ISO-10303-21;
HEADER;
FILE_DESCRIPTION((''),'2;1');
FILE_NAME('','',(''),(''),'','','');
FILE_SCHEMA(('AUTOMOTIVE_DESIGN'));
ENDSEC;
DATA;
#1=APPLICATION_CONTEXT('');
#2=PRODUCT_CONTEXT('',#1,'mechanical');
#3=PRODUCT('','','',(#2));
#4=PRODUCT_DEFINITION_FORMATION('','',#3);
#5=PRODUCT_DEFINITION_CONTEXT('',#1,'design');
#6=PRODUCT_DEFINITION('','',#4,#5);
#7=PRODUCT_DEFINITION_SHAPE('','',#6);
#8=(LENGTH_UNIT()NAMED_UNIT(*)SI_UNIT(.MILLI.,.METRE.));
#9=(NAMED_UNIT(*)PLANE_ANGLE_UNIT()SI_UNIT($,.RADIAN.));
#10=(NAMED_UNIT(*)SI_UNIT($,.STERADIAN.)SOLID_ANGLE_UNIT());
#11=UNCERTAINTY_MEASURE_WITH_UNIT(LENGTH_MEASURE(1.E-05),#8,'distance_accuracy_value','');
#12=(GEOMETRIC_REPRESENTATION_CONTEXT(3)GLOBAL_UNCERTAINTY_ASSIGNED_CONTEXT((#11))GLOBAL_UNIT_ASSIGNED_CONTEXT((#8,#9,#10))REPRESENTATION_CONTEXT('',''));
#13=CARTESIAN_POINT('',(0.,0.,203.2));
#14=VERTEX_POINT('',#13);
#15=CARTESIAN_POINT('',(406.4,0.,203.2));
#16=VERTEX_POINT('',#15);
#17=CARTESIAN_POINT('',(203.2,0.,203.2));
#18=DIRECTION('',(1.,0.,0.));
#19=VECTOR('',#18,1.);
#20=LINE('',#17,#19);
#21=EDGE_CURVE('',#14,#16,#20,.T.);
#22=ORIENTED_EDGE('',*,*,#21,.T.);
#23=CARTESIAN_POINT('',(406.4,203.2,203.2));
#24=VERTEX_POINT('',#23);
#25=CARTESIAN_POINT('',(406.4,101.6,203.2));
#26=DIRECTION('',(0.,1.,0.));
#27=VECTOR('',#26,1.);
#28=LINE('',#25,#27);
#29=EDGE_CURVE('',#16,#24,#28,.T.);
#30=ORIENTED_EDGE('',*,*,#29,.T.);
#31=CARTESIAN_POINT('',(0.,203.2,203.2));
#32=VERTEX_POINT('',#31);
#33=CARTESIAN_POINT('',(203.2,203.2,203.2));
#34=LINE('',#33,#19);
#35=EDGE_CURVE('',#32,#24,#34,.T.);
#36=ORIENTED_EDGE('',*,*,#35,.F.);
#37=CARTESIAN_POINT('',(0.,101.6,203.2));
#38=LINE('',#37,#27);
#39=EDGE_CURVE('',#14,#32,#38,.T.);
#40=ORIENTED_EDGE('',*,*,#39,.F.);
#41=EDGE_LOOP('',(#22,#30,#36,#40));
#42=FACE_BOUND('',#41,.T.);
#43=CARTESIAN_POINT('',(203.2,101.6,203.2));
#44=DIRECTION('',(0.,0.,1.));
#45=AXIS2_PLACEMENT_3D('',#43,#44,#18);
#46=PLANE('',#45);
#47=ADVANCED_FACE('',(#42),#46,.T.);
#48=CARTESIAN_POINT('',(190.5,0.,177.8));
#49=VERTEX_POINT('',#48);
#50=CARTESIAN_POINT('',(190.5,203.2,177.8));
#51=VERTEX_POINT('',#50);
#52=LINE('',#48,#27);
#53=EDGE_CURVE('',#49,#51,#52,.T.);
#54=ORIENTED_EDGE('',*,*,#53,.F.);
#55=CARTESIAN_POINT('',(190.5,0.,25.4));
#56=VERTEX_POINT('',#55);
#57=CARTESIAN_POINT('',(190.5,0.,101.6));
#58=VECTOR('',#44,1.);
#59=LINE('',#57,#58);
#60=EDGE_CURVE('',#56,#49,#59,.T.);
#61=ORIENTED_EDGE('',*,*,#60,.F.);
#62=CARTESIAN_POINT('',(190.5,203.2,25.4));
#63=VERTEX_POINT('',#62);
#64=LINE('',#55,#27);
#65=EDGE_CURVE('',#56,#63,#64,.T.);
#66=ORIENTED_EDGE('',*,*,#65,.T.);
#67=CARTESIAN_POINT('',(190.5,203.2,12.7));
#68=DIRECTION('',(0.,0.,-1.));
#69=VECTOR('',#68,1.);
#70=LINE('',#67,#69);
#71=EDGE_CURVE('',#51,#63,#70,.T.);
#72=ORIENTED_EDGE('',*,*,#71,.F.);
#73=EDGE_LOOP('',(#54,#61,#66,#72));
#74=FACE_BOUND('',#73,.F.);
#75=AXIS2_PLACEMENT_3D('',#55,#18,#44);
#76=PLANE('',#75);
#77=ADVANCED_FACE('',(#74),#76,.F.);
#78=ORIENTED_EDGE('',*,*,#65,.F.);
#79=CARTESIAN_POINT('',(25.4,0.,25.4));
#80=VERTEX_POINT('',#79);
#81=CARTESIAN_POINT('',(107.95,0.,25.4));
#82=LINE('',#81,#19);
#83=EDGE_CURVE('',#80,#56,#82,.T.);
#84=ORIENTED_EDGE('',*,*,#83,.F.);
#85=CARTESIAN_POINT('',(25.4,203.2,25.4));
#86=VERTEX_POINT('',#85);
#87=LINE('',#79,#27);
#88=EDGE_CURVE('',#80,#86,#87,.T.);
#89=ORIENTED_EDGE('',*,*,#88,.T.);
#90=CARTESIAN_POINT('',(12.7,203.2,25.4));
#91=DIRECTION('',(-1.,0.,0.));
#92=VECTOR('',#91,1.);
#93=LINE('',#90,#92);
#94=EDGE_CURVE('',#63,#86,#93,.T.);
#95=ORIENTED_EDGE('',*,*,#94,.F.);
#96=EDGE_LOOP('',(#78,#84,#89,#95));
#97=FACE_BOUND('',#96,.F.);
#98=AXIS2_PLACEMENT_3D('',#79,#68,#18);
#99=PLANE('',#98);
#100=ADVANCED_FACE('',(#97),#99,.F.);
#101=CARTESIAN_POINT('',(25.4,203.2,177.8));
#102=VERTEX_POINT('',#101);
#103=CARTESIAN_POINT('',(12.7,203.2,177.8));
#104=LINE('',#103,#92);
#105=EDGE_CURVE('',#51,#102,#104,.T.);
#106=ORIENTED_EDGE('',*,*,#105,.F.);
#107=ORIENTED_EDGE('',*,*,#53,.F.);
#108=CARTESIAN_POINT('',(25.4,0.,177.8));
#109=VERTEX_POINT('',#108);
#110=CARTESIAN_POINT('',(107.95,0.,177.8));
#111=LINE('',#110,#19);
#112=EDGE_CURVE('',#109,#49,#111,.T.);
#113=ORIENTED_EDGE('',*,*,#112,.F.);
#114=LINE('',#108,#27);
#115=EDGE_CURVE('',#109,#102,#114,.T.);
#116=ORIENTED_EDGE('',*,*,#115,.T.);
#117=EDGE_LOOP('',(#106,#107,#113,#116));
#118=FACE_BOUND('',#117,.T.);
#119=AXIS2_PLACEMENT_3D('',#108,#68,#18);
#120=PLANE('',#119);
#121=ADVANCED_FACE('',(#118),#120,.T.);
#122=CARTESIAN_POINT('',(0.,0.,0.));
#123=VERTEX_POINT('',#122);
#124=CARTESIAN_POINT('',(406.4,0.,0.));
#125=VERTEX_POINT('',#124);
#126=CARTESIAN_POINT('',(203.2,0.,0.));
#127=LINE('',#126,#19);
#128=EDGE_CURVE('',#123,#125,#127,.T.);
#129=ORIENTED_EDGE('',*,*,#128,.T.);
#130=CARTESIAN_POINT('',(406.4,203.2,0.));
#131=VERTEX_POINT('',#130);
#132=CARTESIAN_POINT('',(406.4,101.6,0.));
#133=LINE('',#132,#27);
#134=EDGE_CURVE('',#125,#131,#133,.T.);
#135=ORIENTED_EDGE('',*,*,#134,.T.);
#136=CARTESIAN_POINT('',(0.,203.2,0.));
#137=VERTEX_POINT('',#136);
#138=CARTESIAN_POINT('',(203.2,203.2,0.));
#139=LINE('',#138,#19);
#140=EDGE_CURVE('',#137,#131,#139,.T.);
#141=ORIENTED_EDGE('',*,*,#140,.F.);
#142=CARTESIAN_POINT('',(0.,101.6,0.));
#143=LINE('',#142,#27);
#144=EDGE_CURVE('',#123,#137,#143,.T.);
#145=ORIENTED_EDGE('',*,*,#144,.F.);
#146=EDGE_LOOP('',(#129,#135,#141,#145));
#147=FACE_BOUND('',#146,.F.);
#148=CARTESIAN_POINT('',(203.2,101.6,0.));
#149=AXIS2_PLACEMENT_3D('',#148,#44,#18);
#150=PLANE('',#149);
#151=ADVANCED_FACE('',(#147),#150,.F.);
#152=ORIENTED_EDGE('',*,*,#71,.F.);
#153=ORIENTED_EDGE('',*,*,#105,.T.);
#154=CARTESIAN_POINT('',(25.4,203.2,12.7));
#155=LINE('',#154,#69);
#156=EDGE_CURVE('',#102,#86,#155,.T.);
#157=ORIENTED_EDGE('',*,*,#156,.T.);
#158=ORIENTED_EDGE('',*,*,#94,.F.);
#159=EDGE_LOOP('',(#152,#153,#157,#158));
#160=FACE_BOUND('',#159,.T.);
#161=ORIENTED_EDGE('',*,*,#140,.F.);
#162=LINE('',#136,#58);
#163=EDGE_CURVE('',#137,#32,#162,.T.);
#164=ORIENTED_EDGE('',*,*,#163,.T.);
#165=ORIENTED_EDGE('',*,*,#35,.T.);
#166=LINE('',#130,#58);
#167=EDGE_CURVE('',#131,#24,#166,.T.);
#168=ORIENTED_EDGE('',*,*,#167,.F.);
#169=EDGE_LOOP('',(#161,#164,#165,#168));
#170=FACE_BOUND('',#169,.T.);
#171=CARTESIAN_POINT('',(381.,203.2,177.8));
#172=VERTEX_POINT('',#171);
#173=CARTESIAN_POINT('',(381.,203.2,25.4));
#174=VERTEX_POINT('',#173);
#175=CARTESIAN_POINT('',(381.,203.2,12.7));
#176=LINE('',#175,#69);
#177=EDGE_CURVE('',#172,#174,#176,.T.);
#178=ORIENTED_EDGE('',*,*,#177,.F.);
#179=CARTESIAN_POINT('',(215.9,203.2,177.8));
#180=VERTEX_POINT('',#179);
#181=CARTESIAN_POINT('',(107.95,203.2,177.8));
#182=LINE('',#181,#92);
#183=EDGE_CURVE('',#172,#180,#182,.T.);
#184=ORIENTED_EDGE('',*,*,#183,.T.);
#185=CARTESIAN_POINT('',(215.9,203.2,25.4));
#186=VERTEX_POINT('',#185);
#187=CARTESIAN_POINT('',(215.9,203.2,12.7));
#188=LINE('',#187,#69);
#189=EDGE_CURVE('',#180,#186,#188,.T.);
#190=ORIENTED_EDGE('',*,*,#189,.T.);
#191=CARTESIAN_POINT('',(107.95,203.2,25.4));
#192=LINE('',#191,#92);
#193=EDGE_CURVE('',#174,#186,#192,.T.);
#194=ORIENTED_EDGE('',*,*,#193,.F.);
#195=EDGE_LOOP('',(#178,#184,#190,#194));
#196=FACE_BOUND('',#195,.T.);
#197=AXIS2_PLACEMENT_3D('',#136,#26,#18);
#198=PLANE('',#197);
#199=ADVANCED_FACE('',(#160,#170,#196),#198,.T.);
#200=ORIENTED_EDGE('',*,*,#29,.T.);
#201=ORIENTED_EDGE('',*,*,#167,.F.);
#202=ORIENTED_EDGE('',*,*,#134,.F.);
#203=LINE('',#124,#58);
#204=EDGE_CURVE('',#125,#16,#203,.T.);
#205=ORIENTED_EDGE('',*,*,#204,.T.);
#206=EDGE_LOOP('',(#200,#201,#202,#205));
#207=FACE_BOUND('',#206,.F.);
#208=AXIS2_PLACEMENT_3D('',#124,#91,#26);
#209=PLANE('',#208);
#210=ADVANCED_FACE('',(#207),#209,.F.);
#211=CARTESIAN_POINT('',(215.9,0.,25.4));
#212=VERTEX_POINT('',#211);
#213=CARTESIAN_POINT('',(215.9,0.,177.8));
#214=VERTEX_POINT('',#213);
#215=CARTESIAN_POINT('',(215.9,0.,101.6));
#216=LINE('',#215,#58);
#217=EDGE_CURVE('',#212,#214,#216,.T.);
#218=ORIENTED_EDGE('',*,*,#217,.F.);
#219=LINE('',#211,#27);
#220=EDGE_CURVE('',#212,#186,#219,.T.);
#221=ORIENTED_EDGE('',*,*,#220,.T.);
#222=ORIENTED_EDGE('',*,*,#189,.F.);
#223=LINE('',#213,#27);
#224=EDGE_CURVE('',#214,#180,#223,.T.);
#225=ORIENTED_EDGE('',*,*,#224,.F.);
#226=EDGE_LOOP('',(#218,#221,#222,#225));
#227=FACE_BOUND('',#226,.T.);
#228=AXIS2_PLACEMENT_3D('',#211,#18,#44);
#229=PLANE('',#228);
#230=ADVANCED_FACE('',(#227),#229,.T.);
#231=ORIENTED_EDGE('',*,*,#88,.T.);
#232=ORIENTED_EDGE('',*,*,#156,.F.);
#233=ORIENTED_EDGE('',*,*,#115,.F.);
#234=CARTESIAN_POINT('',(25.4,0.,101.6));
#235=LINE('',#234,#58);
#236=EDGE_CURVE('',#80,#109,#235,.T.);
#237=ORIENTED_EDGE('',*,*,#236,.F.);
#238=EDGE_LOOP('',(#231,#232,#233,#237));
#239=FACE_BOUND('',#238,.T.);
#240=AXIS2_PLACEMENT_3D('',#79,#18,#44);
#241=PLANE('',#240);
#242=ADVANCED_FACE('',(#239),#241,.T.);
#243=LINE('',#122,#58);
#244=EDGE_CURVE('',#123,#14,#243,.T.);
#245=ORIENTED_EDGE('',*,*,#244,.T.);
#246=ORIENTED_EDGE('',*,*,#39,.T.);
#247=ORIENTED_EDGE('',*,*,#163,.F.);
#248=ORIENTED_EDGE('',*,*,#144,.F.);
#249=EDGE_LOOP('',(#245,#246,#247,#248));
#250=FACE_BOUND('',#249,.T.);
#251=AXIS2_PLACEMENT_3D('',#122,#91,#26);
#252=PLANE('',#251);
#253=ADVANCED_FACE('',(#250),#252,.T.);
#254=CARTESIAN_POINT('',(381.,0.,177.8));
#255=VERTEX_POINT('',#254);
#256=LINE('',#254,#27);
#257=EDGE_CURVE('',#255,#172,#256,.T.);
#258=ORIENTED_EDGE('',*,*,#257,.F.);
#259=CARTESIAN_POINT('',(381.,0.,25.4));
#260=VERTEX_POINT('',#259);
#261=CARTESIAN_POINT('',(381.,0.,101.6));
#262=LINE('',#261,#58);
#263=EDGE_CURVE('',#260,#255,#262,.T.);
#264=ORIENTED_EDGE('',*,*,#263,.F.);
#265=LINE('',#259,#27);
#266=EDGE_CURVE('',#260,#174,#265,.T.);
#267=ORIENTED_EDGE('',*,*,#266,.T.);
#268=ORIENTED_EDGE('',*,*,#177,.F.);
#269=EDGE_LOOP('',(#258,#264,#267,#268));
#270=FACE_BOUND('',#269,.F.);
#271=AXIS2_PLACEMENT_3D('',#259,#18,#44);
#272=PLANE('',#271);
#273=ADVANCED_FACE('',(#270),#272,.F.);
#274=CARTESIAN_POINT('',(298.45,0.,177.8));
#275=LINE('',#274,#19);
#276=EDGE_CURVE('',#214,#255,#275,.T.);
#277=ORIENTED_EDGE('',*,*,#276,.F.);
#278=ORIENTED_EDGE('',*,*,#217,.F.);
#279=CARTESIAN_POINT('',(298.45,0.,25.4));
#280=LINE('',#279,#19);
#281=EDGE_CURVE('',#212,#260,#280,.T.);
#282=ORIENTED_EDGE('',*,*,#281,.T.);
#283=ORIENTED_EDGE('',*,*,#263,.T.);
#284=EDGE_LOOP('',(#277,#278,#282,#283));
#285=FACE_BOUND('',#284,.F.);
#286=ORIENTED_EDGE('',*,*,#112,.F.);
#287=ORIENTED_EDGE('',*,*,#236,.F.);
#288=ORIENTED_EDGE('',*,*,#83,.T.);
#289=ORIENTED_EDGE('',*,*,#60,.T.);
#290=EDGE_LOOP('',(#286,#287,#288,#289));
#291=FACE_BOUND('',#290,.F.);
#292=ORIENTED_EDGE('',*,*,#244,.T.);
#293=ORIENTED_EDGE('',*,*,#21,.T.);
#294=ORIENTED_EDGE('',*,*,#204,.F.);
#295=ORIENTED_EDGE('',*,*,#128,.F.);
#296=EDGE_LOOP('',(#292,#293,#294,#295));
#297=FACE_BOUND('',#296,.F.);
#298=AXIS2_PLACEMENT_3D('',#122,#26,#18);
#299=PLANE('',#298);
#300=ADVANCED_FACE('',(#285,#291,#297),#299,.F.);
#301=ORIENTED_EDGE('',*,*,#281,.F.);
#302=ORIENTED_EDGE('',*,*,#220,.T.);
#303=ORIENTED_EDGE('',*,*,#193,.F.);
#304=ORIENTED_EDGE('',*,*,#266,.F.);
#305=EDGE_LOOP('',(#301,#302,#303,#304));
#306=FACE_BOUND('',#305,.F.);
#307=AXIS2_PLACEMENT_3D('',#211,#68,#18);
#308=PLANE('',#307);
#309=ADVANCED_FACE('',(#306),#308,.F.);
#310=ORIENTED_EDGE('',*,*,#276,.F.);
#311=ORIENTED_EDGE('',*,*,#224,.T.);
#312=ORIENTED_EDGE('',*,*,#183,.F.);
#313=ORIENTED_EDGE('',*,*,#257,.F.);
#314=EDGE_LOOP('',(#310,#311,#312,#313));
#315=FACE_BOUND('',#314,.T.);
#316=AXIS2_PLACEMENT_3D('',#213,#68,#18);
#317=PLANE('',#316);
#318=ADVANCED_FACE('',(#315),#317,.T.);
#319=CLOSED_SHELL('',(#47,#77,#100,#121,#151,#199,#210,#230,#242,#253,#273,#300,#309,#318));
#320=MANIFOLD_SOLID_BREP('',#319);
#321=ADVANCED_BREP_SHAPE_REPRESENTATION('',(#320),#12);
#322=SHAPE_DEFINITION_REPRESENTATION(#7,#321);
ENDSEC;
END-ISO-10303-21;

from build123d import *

# Parameters (mm, degrees)
F0_W     = 406.4
F0_H     = 203.2
F1_DEPTH = 203.2
F2_W     = 165.1
F2_H     = 152.4
F3_DEPTH = 203.201
F4_DEPTH = 203.201


with BuildPart() as f1:
    # F0 (on Top) → F1 (new body)
    with BuildSketch(Plane.XY):
        with Locations((203.2, 101.6)):
            Rectangle(F0_W, F0_H)
    extrude(amount=F1_DEPTH)

    # F2 (on face) → F3 (cut, through all)
    with BuildSketch(Plane.XZ):
        with Locations((107.95, 101.6)):
            Rectangle(F2_W, F2_H)
        with Locations((298.45, 101.6)):
            Rectangle(F2_W, F2_H)
    extrude(amount=-F3_DEPTH, mode=Mode.SUBTRACT)

    # F2 (on face) → F4 (cut, through all)
    with BuildSketch(Plane.XZ):
        with Locations((107.95, 101.6)):
            Rectangle(F2_W, F2_H)
        with Locations((298.45, 101.6)):
            Rectangle(F2_W, F2_H)
    extrude(amount=-F4_DEPTH, mode=Mode.SUBTRACT)


solid = f1.part
